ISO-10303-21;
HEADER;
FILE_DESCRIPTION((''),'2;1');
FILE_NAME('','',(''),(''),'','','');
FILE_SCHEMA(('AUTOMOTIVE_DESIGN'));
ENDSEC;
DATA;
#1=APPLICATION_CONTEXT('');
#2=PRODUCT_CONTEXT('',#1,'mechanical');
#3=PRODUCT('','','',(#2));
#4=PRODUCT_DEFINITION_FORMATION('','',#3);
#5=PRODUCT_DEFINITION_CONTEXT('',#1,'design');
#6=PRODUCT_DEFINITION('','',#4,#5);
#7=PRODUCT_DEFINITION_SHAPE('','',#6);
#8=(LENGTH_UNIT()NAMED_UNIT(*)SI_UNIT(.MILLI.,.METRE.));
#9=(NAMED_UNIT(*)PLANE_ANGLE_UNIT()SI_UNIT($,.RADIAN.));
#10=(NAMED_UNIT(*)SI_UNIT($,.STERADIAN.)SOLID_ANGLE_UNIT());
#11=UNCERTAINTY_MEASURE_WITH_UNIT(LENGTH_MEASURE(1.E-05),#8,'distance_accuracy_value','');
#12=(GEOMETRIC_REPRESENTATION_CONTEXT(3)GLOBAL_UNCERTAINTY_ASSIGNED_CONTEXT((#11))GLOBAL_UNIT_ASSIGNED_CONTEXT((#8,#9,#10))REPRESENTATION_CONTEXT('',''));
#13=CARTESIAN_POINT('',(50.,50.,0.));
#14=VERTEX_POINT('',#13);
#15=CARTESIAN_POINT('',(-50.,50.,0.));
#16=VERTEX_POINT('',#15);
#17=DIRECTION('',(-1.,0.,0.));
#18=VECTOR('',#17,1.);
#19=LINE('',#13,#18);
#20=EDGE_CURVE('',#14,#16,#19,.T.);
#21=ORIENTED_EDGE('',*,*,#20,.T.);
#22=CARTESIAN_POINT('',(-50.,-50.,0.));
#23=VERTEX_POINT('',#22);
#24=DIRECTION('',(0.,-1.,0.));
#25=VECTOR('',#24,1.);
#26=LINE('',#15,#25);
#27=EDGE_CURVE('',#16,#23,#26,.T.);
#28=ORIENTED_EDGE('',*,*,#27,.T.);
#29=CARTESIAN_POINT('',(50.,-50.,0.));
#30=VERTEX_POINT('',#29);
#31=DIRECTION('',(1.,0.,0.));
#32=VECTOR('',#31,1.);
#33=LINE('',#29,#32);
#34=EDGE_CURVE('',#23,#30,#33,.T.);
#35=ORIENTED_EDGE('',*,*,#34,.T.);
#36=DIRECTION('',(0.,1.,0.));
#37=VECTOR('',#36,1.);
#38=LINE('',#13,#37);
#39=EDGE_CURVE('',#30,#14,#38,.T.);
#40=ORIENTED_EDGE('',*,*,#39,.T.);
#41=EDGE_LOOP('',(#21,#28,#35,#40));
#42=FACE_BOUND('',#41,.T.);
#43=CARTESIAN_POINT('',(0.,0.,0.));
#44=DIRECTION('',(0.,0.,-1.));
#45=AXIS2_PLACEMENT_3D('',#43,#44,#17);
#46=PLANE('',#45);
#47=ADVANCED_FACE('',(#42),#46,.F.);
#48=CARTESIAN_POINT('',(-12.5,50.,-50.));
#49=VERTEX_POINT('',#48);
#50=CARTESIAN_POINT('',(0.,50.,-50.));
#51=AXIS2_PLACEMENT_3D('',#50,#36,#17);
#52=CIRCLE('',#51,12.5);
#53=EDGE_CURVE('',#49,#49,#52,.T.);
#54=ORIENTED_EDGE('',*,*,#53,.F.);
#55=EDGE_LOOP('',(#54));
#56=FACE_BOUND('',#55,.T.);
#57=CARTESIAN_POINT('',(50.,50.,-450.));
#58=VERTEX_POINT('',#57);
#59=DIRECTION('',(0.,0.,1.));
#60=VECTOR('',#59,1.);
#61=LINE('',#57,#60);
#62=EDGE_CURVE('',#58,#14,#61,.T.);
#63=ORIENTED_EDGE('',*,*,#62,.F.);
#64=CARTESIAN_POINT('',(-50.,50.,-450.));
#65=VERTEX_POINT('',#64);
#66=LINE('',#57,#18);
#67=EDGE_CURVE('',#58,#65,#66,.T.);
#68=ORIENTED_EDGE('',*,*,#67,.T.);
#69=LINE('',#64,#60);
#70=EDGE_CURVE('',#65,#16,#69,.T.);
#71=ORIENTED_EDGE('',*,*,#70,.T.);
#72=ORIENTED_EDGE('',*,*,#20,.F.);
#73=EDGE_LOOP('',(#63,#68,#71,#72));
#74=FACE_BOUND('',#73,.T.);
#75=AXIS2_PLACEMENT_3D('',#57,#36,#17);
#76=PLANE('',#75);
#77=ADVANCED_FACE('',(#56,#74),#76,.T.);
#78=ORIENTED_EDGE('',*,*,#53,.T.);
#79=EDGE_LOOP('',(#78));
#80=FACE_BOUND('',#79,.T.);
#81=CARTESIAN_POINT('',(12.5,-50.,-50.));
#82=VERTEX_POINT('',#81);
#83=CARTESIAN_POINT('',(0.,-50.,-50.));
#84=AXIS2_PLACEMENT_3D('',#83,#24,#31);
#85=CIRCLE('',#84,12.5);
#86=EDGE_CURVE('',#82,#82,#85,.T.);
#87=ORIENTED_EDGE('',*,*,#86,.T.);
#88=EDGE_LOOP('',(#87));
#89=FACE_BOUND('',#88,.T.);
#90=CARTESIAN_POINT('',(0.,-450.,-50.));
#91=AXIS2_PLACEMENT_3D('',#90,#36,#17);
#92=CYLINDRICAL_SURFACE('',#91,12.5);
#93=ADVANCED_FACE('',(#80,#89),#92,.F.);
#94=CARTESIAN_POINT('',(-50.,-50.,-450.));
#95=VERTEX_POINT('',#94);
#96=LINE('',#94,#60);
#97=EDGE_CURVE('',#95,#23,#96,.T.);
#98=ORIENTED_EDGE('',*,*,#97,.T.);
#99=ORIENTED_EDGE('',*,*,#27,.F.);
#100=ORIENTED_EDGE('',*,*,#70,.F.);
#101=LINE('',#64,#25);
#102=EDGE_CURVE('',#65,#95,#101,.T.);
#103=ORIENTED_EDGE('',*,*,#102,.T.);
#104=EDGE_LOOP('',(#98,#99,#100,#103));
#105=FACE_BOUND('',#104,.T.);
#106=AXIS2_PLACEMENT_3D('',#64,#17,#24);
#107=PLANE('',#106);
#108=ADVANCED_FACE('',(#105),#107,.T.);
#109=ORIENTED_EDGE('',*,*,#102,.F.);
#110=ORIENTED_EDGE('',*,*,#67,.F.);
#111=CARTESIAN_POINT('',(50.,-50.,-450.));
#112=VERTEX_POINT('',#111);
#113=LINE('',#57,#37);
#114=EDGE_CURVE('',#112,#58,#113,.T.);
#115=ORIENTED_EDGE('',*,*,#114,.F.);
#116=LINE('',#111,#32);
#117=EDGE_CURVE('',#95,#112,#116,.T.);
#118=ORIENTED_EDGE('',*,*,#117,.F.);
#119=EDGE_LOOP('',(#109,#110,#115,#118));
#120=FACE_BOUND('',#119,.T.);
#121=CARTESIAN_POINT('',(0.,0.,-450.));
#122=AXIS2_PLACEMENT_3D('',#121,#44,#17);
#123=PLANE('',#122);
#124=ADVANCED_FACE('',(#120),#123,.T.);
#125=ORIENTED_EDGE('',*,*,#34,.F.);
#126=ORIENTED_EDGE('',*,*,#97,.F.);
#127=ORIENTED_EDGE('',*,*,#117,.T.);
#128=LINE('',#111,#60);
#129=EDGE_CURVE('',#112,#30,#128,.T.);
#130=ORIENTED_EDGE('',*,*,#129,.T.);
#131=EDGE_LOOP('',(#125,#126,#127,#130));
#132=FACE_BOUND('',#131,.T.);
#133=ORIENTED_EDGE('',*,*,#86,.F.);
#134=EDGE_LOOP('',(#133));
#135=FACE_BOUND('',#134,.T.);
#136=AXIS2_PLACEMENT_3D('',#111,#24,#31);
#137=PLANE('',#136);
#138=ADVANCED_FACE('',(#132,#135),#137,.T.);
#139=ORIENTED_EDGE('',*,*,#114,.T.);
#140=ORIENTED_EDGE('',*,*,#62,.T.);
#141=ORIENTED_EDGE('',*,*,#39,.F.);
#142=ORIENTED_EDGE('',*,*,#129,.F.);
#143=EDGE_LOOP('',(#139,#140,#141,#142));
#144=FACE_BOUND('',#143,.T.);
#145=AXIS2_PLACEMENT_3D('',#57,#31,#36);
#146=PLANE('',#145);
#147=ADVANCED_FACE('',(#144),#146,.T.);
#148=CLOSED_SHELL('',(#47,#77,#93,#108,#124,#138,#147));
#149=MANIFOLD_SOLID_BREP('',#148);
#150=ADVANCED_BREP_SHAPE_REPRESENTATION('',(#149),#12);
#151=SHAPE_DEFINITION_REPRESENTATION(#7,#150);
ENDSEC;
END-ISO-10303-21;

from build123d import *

# Parameters (mm, degrees)
SKETCH2_W           = 100
SKETCH2_H           = 100
BOSS_EXTRUDE1_DEPTH = 450
SKETCH3_R           = 12.5
CUT_EXTRUDE1_DEPTH  = 500


with BuildPart() as part:
    # Sketch2 → Boss-Extrude1 (new body)
    with BuildSketch(Plane.XY):
        Rectangle(SKETCH2_W, SKETCH2_H)
    extrude(amount=-BOSS_EXTRUDE1_DEPTH)

    # Sketch3 → Cut-Extrude1 (cut)
    with BuildSketch(Plane(origin=(0, 50, 0), x_dir=(1, 0, 0), z_dir=(0, 1, 0))):
        with Locations(Location((0, 50, 0), (0, 0, 180))):
            Circle(SKETCH3_R)
    extrude(amount=-CUT_EXTRUDE1_DEPTH, mode=Mode.SUBTRACT)


solid = part.part
